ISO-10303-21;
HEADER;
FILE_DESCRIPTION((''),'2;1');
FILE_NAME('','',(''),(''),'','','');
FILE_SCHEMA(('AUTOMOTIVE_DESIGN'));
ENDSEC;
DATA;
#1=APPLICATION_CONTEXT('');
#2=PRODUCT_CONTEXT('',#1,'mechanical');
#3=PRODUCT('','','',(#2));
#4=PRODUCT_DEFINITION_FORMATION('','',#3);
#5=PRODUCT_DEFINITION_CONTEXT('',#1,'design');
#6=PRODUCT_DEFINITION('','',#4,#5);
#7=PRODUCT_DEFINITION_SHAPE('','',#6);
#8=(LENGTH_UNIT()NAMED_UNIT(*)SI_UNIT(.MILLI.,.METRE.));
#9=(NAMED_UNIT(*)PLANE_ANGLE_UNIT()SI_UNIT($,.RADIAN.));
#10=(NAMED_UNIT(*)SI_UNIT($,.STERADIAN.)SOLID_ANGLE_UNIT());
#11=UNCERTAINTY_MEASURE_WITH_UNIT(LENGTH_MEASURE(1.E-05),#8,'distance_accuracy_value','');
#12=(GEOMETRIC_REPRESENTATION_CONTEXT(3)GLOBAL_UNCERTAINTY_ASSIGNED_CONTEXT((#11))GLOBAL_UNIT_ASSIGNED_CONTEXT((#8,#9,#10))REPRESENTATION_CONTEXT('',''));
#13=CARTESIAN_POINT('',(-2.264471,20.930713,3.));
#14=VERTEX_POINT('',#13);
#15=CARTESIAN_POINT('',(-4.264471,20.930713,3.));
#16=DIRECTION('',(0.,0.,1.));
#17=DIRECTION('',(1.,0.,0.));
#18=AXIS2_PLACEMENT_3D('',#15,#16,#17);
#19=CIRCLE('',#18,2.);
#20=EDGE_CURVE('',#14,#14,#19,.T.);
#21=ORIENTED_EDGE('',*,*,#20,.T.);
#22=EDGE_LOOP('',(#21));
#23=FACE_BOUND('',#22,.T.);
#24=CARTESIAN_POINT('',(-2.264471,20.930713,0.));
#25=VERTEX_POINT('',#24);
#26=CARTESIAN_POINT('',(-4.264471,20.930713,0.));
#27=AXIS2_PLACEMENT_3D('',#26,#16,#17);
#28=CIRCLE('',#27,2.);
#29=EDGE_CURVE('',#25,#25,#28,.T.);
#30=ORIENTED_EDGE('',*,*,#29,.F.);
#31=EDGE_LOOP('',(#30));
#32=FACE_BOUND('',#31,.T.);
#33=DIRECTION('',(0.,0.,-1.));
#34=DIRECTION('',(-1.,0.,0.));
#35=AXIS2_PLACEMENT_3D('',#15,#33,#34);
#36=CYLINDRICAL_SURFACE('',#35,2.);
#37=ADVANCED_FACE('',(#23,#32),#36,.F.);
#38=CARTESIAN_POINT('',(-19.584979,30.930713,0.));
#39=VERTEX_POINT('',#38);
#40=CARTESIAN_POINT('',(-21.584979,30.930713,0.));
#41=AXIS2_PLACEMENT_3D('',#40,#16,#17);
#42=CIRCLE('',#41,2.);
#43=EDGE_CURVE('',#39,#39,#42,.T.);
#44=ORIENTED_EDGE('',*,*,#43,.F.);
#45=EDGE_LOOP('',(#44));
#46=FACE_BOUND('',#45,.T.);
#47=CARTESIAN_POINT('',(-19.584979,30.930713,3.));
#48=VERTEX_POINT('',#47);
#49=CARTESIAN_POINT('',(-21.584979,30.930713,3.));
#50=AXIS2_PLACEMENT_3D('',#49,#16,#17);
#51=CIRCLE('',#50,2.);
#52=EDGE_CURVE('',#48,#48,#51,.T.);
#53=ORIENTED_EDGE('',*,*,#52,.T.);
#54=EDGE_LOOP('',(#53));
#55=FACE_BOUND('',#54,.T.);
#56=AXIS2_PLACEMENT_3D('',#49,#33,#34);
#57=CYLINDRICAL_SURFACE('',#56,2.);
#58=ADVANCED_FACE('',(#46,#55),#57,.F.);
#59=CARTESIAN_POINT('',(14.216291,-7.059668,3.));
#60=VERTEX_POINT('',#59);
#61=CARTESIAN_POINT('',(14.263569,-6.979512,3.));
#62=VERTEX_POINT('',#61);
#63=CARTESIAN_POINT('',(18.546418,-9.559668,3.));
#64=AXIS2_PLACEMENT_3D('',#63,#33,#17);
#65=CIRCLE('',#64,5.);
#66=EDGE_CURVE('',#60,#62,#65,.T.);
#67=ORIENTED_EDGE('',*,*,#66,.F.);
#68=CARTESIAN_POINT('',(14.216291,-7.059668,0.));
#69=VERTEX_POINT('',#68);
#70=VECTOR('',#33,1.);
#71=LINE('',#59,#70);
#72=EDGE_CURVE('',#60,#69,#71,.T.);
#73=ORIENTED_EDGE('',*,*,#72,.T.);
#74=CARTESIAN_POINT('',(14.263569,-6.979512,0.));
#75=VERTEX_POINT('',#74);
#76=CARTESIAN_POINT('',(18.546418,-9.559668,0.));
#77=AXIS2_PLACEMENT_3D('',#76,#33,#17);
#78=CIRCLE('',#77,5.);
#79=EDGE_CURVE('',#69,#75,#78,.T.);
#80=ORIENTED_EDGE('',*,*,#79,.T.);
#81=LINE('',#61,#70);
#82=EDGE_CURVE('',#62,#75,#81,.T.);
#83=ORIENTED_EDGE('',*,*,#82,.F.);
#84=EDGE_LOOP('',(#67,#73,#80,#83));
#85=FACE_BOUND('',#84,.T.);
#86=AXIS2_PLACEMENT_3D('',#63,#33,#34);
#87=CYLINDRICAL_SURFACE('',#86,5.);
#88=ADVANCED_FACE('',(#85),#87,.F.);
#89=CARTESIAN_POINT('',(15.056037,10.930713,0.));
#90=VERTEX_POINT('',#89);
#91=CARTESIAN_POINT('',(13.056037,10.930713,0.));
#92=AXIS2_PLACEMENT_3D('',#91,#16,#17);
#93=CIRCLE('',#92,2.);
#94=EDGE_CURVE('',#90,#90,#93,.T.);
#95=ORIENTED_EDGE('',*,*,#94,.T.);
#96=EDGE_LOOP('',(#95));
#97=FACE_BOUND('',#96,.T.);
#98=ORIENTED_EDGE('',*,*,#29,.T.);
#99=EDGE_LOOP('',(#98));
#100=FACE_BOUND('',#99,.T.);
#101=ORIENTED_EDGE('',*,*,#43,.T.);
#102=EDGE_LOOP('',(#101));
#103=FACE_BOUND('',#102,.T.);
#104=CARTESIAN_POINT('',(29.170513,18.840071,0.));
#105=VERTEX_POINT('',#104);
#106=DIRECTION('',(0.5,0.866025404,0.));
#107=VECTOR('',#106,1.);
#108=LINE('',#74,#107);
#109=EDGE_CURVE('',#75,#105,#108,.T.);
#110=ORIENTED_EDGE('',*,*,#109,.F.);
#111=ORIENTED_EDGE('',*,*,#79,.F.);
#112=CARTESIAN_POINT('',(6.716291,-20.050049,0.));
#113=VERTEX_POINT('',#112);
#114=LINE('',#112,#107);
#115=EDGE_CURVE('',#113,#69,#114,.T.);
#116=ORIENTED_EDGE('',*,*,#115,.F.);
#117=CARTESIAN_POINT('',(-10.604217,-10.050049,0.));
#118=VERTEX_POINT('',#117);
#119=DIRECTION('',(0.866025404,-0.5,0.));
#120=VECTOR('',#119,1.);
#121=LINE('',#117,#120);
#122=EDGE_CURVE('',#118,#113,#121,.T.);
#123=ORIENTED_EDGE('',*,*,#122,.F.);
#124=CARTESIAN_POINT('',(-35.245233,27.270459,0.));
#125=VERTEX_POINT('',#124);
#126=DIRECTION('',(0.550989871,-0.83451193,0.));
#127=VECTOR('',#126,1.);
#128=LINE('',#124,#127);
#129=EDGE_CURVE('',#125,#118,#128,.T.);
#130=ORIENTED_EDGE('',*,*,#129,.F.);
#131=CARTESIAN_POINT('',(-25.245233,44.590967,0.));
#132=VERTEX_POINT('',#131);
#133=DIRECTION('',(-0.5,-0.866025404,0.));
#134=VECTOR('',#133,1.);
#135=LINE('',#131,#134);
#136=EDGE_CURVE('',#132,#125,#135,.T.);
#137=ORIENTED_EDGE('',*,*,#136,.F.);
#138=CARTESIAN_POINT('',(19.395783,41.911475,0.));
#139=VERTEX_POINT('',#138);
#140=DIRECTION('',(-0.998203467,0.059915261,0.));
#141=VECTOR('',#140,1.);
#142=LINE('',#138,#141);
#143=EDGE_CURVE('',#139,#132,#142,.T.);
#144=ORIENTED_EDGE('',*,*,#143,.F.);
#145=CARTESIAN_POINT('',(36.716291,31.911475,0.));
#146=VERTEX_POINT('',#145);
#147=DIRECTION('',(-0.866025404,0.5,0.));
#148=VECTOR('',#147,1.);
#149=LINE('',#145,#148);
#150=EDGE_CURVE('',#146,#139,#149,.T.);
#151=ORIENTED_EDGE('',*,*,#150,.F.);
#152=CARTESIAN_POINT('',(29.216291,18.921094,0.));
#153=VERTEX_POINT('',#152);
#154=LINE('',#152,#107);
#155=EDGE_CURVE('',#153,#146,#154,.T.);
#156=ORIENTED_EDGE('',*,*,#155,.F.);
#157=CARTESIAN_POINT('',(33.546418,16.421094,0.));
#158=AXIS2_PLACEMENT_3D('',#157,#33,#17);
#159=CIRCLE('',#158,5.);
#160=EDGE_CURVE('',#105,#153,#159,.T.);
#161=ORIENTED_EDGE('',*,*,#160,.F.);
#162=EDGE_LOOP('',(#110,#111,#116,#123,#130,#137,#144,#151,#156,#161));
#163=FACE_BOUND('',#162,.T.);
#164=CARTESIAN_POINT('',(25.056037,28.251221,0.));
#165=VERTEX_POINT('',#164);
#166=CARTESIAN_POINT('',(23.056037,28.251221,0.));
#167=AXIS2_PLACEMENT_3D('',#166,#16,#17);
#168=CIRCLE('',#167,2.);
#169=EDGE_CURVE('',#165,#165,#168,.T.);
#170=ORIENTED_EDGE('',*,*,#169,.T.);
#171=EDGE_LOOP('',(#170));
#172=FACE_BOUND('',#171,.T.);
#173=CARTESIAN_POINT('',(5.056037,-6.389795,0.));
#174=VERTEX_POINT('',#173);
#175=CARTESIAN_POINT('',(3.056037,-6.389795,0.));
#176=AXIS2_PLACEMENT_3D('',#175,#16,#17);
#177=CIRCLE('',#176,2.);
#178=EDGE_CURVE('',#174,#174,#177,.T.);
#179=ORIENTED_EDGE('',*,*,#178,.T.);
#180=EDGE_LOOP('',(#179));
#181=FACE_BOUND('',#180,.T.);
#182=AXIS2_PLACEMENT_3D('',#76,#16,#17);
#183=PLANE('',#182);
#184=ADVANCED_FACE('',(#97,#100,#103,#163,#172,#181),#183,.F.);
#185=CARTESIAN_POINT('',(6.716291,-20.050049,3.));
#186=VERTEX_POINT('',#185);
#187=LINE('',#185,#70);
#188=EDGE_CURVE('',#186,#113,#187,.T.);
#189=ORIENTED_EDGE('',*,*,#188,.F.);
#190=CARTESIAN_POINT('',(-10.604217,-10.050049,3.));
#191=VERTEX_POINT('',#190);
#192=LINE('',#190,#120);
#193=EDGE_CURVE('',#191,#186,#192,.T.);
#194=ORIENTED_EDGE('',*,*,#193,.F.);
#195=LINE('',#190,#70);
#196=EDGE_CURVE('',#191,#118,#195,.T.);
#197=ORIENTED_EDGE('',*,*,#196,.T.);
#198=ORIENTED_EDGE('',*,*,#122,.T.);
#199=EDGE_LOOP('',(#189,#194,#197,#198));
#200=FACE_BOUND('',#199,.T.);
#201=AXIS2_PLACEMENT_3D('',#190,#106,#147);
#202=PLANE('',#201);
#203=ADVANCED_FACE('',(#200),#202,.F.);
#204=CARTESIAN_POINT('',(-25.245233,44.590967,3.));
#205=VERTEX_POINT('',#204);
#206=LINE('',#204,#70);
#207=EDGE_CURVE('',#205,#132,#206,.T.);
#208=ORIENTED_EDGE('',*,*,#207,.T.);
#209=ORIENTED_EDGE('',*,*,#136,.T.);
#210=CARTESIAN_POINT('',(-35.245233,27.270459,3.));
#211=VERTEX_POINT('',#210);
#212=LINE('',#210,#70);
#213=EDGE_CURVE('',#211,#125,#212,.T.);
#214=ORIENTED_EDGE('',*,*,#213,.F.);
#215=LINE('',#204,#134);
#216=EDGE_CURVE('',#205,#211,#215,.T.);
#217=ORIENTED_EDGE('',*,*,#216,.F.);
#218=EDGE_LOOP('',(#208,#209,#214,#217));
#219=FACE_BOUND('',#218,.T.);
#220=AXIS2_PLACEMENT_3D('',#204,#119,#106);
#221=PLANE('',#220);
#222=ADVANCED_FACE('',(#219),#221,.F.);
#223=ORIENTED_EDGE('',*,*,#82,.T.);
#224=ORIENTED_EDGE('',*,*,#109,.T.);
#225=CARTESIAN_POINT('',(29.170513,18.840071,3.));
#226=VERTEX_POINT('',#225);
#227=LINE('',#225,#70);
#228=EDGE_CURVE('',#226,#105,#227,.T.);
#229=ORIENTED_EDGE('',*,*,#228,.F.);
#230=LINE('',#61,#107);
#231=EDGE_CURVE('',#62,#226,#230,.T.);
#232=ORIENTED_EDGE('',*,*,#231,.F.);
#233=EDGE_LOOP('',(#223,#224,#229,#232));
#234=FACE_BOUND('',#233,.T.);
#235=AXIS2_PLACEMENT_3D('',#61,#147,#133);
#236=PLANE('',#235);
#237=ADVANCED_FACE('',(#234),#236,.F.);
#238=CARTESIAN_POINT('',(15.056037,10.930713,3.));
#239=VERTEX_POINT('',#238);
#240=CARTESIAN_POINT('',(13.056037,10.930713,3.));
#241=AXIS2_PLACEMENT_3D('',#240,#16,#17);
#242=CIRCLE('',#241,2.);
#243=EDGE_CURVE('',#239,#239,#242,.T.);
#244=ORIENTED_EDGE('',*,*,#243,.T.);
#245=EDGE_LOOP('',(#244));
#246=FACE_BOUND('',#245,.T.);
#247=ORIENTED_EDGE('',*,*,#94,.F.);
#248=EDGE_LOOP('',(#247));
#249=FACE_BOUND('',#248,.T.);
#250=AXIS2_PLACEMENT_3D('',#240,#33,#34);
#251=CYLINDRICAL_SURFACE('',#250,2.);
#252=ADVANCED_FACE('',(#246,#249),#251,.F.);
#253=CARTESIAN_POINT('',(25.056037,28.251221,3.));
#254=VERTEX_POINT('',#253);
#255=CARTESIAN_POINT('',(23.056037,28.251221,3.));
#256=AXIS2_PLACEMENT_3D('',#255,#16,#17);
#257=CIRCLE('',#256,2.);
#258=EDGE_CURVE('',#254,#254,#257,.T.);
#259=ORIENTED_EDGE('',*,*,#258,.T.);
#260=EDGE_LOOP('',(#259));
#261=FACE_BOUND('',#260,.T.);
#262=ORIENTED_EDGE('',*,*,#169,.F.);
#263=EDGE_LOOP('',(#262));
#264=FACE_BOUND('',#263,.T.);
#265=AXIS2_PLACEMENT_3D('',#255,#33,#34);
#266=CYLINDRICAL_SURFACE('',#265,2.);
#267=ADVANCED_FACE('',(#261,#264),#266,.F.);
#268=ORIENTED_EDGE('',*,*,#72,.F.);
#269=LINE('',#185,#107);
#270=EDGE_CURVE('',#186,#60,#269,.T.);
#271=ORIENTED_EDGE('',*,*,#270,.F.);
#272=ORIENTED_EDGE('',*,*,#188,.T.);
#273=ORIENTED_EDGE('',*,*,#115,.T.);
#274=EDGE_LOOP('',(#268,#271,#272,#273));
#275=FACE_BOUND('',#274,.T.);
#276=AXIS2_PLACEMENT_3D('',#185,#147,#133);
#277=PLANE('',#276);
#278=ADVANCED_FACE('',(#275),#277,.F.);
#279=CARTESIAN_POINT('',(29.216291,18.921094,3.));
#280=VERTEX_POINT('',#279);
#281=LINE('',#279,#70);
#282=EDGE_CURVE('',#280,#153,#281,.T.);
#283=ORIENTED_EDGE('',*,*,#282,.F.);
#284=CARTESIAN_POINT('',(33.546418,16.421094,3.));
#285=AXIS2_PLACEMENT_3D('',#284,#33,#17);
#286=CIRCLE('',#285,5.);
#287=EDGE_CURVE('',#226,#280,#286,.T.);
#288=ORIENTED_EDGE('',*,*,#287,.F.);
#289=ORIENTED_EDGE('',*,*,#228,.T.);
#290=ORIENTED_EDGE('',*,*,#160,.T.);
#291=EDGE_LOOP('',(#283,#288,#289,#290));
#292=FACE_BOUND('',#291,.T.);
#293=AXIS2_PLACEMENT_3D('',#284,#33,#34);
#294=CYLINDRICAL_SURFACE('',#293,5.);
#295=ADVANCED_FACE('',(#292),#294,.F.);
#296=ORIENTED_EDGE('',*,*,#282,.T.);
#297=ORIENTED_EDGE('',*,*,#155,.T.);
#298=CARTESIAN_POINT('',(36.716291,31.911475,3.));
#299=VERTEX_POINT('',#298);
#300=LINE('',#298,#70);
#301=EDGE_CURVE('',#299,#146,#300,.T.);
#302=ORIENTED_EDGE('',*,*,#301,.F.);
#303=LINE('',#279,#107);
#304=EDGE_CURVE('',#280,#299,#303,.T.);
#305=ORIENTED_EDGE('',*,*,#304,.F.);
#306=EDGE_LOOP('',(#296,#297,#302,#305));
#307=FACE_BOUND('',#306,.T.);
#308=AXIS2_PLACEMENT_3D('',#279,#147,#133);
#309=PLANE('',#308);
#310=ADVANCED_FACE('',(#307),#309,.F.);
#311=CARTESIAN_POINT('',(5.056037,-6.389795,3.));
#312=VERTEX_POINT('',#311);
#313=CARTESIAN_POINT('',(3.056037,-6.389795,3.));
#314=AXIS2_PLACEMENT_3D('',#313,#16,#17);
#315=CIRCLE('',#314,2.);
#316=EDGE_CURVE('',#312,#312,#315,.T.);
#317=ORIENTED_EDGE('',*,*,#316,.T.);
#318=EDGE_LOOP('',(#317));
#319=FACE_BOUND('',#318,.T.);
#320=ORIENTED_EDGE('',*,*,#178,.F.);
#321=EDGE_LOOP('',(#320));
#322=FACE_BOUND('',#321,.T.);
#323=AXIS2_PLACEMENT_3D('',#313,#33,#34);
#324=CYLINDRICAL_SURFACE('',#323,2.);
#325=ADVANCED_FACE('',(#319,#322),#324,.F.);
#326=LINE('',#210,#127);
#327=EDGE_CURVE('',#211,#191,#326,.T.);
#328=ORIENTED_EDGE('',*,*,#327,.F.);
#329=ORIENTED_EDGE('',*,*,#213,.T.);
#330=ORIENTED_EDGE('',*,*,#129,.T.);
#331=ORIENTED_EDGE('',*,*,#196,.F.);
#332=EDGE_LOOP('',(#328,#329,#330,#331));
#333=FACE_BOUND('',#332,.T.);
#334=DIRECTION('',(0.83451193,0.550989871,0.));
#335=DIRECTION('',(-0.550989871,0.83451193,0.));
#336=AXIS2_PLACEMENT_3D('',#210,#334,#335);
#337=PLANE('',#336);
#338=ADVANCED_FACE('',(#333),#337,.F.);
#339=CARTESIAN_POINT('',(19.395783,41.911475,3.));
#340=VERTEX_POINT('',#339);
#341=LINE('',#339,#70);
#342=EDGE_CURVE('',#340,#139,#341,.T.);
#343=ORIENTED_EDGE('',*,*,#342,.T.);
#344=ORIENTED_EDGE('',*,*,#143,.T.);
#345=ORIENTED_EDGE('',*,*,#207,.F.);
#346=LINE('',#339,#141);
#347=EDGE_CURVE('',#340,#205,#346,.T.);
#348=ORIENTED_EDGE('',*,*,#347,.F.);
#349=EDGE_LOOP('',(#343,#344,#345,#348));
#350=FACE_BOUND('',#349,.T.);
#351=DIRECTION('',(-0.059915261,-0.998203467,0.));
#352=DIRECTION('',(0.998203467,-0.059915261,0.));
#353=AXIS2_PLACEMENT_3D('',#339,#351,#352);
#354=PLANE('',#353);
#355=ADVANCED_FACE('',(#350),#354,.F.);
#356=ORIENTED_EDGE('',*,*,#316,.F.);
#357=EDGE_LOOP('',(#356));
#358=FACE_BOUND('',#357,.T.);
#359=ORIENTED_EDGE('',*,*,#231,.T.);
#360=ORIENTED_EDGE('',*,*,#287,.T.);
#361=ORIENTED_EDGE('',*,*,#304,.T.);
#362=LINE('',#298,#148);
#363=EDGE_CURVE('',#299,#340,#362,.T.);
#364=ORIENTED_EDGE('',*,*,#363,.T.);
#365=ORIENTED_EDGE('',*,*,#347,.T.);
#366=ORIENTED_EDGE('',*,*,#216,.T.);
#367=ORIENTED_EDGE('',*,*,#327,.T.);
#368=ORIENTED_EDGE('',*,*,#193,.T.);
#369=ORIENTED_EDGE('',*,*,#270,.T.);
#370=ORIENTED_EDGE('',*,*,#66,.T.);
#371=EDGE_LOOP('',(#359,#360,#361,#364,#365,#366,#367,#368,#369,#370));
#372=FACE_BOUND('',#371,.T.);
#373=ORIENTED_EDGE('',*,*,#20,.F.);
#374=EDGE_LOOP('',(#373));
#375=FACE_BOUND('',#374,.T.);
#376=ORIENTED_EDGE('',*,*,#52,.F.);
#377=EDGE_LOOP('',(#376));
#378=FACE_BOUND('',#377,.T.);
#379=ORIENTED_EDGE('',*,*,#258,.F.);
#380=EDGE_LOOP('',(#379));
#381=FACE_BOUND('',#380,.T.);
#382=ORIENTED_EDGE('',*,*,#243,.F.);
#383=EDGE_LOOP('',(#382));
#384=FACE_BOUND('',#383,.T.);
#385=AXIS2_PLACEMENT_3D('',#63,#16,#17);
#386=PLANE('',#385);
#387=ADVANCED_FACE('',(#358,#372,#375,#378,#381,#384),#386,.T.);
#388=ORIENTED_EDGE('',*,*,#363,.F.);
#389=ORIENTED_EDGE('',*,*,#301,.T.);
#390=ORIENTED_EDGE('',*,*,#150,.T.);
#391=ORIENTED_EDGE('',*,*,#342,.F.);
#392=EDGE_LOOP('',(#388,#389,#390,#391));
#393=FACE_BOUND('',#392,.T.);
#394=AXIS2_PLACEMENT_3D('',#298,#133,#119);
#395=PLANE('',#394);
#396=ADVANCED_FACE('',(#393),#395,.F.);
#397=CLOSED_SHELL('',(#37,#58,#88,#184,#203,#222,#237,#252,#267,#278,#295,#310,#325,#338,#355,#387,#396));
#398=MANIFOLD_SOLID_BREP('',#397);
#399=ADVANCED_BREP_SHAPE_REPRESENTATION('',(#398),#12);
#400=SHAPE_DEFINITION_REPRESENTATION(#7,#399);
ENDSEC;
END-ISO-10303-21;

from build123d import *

# Parameters (mm, degrees)
SKETCH_1_R      = 2
EXTRUDE_1_DEPTH = 3


with BuildPart() as part:
    # 草图1 → 凸台-拉伸1 (new body)
    with BuildSketch(Plane.XY):
        with BuildLine():
            Line((14.263569054, -6.979512092), (29.170512591, 18.8400715))
            ThreePointArc((29.170512591, 18.8400715), (29.193213203, 18.880689143), (29.216290822, 18.921093774))
            Line((29.216290822, 18.921093774), (36.716290822, 31.91147483))
            Line((36.716290822, 31.91147483), (19.395782747, 41.91147483))
            Line((19.395782747, 41.91147483), (-25.245233405, 44.590966755))
            Line((-25.245233405, 44.590966755), (-35.245233405, 27.270458679))
            Line((-35.245233405, 27.270458679), (-10.604217253, -10.050049397))
            Line((-10.604217253, -10.050049397), (6.716290822, -20.050049397))
            Line((6.716290822, -20.050049397), (14.216290822, -7.05966834))
            ThreePointArc((14.216290822, -7.05966834), (14.23974345, -7.01948022), (14.263569054, -6.979512092))
        make_face()
        with Locations((-21.584979367, 30.930712717)):
            Circle(SKETCH_1_R, mode=Mode.SUBTRACT)
        with Locations((3.056036785, -6.389795359)):
            Circle(SKETCH_1_R, mode=Mode.SUBTRACT)
        with Locations((13.056036785, 10.930712717)):
            Circle(SKETCH_1_R, mode=Mode.SUBTRACT)
        with Locations((23.056036785, 28.251220792)):
            Circle(SKETCH_1_R, mode=Mode.SUBTRACT)
        with Locations((-4.264471291, 20.930712717)):
            Circle(SKETCH_1_R, mode=Mode.SUBTRACT)
    extrude(amount=EXTRUDE_1_DEPTH)


solid = part.part
